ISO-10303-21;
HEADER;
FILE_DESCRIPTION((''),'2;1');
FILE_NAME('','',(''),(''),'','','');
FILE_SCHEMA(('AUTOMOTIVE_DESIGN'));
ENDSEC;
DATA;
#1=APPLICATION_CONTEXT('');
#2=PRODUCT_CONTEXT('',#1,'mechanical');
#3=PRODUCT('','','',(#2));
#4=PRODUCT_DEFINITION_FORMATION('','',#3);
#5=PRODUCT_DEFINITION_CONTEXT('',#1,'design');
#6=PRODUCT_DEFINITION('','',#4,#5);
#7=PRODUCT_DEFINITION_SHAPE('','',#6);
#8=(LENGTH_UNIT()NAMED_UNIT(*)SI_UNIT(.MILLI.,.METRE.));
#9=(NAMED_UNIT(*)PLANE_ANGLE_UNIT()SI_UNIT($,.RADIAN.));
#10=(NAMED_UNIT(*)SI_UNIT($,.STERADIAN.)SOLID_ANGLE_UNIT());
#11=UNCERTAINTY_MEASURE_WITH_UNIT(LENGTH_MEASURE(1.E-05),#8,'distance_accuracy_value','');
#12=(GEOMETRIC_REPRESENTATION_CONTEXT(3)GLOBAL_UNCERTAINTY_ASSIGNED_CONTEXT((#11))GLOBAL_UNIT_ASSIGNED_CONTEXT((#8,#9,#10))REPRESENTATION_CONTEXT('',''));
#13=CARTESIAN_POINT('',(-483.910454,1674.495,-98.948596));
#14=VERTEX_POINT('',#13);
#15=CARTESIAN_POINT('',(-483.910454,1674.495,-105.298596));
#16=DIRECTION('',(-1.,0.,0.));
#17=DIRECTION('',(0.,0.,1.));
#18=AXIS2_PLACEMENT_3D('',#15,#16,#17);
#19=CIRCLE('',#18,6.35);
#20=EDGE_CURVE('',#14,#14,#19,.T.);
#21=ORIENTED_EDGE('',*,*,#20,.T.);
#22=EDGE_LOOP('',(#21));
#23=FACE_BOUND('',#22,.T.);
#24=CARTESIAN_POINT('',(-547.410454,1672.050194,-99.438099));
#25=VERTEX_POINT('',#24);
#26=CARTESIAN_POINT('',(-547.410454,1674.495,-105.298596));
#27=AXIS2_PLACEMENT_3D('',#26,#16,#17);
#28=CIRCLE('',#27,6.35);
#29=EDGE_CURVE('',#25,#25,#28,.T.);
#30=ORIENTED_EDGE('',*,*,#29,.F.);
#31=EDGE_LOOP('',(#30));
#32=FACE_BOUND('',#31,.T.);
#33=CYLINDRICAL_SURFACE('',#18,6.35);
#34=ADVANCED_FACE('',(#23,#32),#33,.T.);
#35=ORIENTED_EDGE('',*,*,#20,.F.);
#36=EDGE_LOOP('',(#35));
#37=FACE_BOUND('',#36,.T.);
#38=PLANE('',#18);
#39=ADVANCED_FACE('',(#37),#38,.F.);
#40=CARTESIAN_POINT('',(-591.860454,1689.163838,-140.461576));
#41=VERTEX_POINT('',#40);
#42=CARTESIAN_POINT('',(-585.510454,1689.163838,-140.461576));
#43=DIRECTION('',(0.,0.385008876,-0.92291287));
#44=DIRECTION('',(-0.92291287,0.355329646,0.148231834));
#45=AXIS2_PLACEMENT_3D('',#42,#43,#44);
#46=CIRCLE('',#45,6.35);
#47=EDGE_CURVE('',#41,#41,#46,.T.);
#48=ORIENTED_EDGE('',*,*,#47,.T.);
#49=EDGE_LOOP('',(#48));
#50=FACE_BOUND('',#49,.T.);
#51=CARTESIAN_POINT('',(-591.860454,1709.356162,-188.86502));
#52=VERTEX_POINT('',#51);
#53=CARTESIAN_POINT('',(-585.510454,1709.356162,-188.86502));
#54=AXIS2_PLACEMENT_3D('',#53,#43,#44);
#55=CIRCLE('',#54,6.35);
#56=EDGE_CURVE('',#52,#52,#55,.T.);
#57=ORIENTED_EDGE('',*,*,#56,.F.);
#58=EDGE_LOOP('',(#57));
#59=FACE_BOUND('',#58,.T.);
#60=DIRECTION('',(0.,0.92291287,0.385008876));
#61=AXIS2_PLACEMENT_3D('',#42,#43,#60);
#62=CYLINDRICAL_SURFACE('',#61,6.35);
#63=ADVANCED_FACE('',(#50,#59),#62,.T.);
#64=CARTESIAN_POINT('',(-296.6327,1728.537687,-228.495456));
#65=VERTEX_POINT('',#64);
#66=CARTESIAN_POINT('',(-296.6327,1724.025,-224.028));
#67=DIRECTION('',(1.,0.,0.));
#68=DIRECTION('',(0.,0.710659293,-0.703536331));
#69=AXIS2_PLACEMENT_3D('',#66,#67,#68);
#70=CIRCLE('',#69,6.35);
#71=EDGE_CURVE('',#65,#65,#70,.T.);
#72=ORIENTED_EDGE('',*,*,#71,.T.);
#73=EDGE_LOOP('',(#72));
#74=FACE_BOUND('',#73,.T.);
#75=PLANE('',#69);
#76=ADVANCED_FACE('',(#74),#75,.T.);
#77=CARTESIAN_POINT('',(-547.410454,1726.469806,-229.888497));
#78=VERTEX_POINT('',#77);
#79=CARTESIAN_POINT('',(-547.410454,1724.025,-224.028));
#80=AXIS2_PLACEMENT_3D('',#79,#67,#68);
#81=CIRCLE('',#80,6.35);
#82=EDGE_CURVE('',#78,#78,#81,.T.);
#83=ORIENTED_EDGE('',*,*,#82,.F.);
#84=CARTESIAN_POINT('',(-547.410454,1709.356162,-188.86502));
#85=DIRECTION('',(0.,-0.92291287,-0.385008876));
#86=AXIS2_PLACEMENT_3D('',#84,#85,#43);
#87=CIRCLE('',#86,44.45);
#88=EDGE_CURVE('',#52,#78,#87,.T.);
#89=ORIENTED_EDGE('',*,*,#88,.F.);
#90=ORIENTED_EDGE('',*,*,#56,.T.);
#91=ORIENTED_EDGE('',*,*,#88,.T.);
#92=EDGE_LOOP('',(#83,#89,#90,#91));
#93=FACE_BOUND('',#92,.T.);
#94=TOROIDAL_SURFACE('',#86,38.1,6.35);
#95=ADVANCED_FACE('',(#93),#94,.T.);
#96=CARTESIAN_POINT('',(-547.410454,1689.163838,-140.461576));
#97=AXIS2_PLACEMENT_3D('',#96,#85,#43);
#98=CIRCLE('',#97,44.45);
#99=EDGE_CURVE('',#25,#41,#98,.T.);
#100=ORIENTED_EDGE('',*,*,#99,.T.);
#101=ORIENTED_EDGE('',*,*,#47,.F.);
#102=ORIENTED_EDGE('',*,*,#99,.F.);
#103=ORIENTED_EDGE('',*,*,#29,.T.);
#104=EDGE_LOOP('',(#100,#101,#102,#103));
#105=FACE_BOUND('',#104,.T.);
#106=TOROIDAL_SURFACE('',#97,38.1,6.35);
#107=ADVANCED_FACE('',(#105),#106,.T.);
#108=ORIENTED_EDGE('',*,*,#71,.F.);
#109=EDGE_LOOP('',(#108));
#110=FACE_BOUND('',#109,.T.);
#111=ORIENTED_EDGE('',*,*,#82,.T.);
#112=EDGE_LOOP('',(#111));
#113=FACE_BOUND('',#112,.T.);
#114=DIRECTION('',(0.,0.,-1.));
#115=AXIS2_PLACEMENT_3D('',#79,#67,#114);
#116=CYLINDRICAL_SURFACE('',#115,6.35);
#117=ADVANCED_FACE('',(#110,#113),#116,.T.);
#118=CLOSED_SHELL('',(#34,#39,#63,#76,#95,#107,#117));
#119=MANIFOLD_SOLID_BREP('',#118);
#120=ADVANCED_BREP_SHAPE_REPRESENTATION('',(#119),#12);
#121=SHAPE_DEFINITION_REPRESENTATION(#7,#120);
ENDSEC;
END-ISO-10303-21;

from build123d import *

# Parameters (mm, degrees)
SWEEP1_PROFILE_R = 6.35


with BuildPart() as part:
    # Sweep1: sweep along a curve in space
    with BuildLine() as sweep1_path:
        Line((-296.632700308, 1724.025, -224.028), (-547.410454363, 1724.025, -224.028))
        ThreePointArc((-547.410454363, 1724.025, -224.028), (-574.351222726, 1719.728596774, -213.729001503), (-585.510454363, 1709.356161838, -188.865019652))
        Line((-585.510454363, 1709.356161838, -188.865019652), (-585.510454363, 1689.163838162, -140.461576059))
        ThreePointArc((-547.410454363, 1674.495, -105.298595711), (-574.351222726, 1678.791403226, -115.597594208), (-585.510454363, 1689.163838162, -140.461576059))
        Line((-483.910454363, 1674.495, -105.298595711), (-547.410454363, 1674.495, -105.298595711))
    # Sweep1 profile (on start of the path) → Sweep1 (sweep)
    with BuildSketch(Plane(origin=(-296.632700308, 1724.025, -224.028), x_dir=(0, 0, -1), z_dir=(-1, 0, 0))):
        Circle(SWEEP1_PROFILE_R)
    sweep(path=sweep1_path.line)


solid = part.part
